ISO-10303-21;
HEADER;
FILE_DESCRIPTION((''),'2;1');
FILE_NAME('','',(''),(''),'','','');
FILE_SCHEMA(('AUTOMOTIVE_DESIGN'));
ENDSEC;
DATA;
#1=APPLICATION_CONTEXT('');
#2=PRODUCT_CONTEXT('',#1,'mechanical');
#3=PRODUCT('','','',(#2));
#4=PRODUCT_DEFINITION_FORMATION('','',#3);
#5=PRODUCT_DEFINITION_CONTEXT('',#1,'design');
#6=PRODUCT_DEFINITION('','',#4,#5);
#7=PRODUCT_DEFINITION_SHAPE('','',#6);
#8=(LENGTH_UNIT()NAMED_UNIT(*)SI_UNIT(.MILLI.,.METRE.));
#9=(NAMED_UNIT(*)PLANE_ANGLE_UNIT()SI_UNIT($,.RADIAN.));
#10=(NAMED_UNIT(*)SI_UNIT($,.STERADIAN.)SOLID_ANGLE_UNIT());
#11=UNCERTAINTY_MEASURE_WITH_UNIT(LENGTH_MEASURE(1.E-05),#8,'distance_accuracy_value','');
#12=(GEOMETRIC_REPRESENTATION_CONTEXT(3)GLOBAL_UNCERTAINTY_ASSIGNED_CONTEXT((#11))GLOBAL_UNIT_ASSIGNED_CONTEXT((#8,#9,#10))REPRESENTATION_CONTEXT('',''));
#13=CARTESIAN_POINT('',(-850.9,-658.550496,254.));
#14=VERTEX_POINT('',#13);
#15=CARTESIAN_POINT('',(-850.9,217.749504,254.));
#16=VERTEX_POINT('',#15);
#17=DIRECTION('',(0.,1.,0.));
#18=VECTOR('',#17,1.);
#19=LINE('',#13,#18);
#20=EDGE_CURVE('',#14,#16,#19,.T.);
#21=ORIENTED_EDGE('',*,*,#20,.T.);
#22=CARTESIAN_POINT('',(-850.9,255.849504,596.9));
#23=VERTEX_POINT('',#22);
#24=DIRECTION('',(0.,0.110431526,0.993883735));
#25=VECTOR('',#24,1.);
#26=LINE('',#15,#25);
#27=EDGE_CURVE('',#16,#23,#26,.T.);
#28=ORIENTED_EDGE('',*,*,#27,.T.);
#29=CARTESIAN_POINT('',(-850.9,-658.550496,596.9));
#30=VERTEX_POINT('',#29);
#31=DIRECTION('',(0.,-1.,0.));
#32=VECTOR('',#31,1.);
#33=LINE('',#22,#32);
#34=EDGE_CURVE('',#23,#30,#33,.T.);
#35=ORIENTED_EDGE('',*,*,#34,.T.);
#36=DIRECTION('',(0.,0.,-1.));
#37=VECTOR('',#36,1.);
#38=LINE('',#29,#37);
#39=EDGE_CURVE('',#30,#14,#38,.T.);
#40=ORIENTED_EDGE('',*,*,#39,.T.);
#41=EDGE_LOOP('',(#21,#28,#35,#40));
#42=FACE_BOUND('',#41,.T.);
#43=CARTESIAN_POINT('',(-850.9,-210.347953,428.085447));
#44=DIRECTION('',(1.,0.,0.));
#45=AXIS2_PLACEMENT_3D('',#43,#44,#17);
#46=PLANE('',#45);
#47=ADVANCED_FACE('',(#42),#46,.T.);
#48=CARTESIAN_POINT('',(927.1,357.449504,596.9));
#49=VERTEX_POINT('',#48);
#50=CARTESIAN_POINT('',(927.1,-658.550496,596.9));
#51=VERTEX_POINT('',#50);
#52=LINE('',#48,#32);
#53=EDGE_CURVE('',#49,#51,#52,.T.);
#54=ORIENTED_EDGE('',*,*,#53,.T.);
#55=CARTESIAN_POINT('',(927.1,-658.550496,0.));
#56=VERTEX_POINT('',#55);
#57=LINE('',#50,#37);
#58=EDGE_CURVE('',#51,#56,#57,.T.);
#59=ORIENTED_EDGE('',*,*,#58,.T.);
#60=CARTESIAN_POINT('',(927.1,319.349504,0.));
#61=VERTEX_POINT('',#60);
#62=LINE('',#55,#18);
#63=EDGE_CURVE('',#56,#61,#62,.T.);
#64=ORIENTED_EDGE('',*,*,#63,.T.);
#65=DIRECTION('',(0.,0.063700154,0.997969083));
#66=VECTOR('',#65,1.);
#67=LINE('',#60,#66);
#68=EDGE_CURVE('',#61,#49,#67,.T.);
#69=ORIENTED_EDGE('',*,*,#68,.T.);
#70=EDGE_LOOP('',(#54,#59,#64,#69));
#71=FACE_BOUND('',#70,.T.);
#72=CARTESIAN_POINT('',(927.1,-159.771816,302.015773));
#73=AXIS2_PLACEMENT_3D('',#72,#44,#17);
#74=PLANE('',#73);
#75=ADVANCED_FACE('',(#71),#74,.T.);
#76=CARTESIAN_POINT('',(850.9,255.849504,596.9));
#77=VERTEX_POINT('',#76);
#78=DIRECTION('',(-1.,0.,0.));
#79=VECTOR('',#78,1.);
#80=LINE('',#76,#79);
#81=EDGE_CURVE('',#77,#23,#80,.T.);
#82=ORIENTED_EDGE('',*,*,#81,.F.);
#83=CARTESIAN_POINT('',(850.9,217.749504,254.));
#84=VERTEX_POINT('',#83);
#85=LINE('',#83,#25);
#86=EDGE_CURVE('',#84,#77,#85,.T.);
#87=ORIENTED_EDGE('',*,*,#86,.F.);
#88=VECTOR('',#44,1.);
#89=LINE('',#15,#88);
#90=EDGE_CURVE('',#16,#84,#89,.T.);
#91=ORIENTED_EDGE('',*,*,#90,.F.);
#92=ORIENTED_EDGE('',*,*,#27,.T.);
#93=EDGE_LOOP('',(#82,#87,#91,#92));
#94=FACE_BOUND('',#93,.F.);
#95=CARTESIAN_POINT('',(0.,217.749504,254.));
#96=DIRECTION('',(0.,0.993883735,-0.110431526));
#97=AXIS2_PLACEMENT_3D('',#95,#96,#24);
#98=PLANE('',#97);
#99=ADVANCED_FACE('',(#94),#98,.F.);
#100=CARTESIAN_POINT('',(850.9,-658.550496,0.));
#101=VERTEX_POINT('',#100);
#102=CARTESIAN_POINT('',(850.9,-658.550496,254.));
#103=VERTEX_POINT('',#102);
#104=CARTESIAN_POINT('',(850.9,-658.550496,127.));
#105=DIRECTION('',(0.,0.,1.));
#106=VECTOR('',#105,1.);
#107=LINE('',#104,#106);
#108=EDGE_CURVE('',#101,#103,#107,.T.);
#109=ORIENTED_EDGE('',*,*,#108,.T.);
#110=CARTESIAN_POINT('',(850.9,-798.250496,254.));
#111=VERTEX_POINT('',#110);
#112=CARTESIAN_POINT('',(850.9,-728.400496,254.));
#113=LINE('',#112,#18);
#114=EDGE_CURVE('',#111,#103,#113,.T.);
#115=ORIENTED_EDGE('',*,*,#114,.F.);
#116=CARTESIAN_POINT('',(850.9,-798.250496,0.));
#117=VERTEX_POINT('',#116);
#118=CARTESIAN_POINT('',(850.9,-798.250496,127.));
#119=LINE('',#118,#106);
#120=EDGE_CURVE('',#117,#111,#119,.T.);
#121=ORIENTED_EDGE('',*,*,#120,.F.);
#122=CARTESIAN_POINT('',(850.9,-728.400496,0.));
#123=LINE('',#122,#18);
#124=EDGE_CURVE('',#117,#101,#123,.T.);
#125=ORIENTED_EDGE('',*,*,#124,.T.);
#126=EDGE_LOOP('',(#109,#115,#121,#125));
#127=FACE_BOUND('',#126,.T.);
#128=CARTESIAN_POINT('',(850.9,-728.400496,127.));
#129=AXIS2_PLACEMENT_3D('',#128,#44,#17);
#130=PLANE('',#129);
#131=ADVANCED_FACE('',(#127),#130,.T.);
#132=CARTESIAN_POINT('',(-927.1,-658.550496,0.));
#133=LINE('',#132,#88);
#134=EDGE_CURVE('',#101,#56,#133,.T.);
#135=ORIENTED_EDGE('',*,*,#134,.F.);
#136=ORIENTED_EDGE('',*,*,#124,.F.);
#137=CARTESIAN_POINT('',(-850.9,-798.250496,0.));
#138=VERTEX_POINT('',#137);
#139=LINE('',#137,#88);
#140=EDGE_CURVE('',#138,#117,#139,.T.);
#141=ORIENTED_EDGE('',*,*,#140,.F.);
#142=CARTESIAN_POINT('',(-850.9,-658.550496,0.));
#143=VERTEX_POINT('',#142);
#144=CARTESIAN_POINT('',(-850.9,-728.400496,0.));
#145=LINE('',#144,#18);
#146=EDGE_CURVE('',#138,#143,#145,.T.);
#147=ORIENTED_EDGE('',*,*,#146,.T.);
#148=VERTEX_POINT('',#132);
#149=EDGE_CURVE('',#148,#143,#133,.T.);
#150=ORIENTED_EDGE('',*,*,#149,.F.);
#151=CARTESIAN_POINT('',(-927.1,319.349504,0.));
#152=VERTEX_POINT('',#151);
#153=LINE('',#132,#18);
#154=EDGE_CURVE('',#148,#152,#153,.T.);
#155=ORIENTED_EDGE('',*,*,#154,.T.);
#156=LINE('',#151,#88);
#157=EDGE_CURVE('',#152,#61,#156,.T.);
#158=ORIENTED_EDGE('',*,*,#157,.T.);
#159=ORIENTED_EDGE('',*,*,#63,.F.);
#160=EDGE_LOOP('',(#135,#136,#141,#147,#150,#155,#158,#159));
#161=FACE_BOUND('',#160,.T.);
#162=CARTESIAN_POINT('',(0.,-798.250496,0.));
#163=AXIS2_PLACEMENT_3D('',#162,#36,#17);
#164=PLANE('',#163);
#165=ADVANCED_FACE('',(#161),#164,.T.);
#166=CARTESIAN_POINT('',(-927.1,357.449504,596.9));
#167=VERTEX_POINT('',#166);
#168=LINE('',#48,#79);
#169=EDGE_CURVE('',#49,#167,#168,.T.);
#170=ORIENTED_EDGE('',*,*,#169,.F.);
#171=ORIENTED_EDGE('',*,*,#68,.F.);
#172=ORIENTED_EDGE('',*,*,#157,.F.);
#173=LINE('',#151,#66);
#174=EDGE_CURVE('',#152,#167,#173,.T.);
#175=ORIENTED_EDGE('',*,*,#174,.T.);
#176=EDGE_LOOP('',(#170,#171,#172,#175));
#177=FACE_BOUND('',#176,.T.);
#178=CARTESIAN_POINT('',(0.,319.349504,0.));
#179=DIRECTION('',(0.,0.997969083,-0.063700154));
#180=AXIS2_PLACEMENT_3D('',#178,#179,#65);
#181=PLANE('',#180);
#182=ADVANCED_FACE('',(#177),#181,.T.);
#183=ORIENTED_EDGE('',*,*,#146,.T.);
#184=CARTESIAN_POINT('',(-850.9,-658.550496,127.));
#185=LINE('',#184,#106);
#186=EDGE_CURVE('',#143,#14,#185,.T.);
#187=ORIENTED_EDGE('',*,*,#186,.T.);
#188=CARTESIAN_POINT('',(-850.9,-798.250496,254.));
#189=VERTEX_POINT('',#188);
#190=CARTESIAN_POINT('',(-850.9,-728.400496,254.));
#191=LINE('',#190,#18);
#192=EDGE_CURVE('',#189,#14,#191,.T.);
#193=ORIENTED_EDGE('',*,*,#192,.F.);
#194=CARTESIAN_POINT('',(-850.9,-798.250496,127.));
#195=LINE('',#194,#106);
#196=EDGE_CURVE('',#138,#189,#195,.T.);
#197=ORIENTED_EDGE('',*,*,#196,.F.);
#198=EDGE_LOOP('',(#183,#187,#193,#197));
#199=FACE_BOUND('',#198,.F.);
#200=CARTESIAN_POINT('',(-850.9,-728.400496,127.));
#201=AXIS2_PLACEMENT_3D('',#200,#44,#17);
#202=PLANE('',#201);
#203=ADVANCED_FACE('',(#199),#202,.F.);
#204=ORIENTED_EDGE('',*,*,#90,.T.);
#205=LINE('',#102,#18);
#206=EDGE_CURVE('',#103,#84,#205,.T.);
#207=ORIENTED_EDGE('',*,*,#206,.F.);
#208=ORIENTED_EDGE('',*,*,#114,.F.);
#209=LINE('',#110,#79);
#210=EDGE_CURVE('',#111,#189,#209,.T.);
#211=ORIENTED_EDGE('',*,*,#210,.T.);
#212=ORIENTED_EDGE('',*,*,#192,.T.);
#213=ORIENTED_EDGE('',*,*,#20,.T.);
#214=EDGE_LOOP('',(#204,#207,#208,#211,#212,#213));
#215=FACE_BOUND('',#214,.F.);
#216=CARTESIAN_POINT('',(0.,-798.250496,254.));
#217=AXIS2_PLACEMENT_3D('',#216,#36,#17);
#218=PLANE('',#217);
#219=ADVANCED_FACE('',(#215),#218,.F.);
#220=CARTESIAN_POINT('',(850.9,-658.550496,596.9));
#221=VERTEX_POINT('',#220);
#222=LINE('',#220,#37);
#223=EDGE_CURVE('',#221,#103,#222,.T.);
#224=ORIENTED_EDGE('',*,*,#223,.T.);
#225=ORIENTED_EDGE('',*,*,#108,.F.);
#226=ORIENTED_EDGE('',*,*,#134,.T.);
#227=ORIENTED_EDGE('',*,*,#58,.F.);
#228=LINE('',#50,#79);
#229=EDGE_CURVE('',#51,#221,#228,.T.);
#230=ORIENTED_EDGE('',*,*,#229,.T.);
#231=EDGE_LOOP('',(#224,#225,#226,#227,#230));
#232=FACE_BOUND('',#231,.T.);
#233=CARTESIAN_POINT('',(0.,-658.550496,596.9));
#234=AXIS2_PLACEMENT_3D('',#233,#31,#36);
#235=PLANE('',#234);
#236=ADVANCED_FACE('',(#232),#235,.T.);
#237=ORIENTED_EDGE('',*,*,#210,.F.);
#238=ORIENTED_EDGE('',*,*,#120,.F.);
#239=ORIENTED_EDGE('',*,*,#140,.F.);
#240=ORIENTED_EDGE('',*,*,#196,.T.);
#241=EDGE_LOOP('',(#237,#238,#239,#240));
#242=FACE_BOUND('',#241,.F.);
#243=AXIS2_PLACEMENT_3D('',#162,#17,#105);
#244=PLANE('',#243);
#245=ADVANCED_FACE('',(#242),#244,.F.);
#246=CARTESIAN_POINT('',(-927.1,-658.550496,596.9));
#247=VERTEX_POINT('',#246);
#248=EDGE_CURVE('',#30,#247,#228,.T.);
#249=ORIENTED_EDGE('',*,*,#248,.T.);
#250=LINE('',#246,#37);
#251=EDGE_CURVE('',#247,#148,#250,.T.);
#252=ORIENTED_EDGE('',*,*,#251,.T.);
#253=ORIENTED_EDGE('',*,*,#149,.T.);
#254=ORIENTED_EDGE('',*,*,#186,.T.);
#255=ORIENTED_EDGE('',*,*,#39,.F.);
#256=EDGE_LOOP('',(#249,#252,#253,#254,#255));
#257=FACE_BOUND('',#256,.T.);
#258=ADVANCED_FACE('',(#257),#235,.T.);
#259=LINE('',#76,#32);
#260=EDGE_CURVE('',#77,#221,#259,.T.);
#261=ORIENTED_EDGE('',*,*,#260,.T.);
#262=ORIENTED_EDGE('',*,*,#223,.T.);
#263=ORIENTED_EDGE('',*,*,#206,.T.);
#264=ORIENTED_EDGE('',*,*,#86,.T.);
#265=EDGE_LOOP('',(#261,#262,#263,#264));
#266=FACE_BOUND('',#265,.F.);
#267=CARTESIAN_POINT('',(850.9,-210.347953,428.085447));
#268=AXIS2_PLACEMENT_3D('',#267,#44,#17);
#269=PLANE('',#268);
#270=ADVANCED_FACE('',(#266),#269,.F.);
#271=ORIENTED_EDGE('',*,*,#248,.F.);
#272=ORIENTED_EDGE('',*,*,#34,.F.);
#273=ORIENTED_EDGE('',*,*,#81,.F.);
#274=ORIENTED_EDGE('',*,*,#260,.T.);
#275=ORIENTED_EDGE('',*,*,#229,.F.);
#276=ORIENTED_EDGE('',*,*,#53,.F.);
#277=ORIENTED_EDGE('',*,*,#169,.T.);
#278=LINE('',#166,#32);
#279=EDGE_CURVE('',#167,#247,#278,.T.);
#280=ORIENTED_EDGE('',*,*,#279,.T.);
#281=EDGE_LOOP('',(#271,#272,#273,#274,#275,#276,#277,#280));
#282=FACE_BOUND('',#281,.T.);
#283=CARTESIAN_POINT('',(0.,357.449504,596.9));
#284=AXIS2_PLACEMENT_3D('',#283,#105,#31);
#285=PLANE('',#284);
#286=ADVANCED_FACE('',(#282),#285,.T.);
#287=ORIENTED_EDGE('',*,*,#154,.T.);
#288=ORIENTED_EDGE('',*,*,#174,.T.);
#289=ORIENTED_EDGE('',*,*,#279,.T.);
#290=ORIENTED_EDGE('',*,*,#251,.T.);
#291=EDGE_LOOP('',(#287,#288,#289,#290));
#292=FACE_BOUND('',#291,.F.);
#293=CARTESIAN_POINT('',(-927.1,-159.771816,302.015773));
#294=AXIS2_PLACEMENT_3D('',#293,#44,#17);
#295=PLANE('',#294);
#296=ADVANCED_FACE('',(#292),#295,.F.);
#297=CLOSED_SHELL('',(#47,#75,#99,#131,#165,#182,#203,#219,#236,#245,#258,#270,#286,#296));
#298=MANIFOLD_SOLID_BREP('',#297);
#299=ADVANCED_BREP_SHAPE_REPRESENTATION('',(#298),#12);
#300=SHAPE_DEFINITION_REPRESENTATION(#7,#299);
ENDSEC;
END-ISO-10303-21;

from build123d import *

# Parameters (mm, degrees)
F1_DEPTH = 927.1
F3_DEPTH = 850.9
F4_W     = 139.7
F4_H     = 254
F5_DEPTH = 850.9


with BuildPart() as f1:
    # F0 (on Right) → F1 (new body, symmetric)
    with BuildSketch(Plane.YZ):
        Polygon((-658.550496, 596.9), (-658.550496, 0), (319.349504, 0), (357.449504, 596.9), align=None)
    extrude(amount=F1_DEPTH, both=True)

    # F2 (on Right) → F3 (cut, symmetric)
    with BuildSketch(Plane.YZ):
        Polygon((-658.550496, 596.9), (-658.550496, 254), (217.749504, 254), (255.849504, 596.9), align=None)
    extrude(amount=F3_DEPTH, both=True, mode=Mode.SUBTRACT)

    # F4 (on Right) → F5 (join, symmetric)
    with BuildSketch(Plane.YZ):
        with Locations((-728.400496, 127)):
            Rectangle(F4_W, F4_H)
    extrude(amount=F5_DEPTH, both=True)


solid = f1.part
